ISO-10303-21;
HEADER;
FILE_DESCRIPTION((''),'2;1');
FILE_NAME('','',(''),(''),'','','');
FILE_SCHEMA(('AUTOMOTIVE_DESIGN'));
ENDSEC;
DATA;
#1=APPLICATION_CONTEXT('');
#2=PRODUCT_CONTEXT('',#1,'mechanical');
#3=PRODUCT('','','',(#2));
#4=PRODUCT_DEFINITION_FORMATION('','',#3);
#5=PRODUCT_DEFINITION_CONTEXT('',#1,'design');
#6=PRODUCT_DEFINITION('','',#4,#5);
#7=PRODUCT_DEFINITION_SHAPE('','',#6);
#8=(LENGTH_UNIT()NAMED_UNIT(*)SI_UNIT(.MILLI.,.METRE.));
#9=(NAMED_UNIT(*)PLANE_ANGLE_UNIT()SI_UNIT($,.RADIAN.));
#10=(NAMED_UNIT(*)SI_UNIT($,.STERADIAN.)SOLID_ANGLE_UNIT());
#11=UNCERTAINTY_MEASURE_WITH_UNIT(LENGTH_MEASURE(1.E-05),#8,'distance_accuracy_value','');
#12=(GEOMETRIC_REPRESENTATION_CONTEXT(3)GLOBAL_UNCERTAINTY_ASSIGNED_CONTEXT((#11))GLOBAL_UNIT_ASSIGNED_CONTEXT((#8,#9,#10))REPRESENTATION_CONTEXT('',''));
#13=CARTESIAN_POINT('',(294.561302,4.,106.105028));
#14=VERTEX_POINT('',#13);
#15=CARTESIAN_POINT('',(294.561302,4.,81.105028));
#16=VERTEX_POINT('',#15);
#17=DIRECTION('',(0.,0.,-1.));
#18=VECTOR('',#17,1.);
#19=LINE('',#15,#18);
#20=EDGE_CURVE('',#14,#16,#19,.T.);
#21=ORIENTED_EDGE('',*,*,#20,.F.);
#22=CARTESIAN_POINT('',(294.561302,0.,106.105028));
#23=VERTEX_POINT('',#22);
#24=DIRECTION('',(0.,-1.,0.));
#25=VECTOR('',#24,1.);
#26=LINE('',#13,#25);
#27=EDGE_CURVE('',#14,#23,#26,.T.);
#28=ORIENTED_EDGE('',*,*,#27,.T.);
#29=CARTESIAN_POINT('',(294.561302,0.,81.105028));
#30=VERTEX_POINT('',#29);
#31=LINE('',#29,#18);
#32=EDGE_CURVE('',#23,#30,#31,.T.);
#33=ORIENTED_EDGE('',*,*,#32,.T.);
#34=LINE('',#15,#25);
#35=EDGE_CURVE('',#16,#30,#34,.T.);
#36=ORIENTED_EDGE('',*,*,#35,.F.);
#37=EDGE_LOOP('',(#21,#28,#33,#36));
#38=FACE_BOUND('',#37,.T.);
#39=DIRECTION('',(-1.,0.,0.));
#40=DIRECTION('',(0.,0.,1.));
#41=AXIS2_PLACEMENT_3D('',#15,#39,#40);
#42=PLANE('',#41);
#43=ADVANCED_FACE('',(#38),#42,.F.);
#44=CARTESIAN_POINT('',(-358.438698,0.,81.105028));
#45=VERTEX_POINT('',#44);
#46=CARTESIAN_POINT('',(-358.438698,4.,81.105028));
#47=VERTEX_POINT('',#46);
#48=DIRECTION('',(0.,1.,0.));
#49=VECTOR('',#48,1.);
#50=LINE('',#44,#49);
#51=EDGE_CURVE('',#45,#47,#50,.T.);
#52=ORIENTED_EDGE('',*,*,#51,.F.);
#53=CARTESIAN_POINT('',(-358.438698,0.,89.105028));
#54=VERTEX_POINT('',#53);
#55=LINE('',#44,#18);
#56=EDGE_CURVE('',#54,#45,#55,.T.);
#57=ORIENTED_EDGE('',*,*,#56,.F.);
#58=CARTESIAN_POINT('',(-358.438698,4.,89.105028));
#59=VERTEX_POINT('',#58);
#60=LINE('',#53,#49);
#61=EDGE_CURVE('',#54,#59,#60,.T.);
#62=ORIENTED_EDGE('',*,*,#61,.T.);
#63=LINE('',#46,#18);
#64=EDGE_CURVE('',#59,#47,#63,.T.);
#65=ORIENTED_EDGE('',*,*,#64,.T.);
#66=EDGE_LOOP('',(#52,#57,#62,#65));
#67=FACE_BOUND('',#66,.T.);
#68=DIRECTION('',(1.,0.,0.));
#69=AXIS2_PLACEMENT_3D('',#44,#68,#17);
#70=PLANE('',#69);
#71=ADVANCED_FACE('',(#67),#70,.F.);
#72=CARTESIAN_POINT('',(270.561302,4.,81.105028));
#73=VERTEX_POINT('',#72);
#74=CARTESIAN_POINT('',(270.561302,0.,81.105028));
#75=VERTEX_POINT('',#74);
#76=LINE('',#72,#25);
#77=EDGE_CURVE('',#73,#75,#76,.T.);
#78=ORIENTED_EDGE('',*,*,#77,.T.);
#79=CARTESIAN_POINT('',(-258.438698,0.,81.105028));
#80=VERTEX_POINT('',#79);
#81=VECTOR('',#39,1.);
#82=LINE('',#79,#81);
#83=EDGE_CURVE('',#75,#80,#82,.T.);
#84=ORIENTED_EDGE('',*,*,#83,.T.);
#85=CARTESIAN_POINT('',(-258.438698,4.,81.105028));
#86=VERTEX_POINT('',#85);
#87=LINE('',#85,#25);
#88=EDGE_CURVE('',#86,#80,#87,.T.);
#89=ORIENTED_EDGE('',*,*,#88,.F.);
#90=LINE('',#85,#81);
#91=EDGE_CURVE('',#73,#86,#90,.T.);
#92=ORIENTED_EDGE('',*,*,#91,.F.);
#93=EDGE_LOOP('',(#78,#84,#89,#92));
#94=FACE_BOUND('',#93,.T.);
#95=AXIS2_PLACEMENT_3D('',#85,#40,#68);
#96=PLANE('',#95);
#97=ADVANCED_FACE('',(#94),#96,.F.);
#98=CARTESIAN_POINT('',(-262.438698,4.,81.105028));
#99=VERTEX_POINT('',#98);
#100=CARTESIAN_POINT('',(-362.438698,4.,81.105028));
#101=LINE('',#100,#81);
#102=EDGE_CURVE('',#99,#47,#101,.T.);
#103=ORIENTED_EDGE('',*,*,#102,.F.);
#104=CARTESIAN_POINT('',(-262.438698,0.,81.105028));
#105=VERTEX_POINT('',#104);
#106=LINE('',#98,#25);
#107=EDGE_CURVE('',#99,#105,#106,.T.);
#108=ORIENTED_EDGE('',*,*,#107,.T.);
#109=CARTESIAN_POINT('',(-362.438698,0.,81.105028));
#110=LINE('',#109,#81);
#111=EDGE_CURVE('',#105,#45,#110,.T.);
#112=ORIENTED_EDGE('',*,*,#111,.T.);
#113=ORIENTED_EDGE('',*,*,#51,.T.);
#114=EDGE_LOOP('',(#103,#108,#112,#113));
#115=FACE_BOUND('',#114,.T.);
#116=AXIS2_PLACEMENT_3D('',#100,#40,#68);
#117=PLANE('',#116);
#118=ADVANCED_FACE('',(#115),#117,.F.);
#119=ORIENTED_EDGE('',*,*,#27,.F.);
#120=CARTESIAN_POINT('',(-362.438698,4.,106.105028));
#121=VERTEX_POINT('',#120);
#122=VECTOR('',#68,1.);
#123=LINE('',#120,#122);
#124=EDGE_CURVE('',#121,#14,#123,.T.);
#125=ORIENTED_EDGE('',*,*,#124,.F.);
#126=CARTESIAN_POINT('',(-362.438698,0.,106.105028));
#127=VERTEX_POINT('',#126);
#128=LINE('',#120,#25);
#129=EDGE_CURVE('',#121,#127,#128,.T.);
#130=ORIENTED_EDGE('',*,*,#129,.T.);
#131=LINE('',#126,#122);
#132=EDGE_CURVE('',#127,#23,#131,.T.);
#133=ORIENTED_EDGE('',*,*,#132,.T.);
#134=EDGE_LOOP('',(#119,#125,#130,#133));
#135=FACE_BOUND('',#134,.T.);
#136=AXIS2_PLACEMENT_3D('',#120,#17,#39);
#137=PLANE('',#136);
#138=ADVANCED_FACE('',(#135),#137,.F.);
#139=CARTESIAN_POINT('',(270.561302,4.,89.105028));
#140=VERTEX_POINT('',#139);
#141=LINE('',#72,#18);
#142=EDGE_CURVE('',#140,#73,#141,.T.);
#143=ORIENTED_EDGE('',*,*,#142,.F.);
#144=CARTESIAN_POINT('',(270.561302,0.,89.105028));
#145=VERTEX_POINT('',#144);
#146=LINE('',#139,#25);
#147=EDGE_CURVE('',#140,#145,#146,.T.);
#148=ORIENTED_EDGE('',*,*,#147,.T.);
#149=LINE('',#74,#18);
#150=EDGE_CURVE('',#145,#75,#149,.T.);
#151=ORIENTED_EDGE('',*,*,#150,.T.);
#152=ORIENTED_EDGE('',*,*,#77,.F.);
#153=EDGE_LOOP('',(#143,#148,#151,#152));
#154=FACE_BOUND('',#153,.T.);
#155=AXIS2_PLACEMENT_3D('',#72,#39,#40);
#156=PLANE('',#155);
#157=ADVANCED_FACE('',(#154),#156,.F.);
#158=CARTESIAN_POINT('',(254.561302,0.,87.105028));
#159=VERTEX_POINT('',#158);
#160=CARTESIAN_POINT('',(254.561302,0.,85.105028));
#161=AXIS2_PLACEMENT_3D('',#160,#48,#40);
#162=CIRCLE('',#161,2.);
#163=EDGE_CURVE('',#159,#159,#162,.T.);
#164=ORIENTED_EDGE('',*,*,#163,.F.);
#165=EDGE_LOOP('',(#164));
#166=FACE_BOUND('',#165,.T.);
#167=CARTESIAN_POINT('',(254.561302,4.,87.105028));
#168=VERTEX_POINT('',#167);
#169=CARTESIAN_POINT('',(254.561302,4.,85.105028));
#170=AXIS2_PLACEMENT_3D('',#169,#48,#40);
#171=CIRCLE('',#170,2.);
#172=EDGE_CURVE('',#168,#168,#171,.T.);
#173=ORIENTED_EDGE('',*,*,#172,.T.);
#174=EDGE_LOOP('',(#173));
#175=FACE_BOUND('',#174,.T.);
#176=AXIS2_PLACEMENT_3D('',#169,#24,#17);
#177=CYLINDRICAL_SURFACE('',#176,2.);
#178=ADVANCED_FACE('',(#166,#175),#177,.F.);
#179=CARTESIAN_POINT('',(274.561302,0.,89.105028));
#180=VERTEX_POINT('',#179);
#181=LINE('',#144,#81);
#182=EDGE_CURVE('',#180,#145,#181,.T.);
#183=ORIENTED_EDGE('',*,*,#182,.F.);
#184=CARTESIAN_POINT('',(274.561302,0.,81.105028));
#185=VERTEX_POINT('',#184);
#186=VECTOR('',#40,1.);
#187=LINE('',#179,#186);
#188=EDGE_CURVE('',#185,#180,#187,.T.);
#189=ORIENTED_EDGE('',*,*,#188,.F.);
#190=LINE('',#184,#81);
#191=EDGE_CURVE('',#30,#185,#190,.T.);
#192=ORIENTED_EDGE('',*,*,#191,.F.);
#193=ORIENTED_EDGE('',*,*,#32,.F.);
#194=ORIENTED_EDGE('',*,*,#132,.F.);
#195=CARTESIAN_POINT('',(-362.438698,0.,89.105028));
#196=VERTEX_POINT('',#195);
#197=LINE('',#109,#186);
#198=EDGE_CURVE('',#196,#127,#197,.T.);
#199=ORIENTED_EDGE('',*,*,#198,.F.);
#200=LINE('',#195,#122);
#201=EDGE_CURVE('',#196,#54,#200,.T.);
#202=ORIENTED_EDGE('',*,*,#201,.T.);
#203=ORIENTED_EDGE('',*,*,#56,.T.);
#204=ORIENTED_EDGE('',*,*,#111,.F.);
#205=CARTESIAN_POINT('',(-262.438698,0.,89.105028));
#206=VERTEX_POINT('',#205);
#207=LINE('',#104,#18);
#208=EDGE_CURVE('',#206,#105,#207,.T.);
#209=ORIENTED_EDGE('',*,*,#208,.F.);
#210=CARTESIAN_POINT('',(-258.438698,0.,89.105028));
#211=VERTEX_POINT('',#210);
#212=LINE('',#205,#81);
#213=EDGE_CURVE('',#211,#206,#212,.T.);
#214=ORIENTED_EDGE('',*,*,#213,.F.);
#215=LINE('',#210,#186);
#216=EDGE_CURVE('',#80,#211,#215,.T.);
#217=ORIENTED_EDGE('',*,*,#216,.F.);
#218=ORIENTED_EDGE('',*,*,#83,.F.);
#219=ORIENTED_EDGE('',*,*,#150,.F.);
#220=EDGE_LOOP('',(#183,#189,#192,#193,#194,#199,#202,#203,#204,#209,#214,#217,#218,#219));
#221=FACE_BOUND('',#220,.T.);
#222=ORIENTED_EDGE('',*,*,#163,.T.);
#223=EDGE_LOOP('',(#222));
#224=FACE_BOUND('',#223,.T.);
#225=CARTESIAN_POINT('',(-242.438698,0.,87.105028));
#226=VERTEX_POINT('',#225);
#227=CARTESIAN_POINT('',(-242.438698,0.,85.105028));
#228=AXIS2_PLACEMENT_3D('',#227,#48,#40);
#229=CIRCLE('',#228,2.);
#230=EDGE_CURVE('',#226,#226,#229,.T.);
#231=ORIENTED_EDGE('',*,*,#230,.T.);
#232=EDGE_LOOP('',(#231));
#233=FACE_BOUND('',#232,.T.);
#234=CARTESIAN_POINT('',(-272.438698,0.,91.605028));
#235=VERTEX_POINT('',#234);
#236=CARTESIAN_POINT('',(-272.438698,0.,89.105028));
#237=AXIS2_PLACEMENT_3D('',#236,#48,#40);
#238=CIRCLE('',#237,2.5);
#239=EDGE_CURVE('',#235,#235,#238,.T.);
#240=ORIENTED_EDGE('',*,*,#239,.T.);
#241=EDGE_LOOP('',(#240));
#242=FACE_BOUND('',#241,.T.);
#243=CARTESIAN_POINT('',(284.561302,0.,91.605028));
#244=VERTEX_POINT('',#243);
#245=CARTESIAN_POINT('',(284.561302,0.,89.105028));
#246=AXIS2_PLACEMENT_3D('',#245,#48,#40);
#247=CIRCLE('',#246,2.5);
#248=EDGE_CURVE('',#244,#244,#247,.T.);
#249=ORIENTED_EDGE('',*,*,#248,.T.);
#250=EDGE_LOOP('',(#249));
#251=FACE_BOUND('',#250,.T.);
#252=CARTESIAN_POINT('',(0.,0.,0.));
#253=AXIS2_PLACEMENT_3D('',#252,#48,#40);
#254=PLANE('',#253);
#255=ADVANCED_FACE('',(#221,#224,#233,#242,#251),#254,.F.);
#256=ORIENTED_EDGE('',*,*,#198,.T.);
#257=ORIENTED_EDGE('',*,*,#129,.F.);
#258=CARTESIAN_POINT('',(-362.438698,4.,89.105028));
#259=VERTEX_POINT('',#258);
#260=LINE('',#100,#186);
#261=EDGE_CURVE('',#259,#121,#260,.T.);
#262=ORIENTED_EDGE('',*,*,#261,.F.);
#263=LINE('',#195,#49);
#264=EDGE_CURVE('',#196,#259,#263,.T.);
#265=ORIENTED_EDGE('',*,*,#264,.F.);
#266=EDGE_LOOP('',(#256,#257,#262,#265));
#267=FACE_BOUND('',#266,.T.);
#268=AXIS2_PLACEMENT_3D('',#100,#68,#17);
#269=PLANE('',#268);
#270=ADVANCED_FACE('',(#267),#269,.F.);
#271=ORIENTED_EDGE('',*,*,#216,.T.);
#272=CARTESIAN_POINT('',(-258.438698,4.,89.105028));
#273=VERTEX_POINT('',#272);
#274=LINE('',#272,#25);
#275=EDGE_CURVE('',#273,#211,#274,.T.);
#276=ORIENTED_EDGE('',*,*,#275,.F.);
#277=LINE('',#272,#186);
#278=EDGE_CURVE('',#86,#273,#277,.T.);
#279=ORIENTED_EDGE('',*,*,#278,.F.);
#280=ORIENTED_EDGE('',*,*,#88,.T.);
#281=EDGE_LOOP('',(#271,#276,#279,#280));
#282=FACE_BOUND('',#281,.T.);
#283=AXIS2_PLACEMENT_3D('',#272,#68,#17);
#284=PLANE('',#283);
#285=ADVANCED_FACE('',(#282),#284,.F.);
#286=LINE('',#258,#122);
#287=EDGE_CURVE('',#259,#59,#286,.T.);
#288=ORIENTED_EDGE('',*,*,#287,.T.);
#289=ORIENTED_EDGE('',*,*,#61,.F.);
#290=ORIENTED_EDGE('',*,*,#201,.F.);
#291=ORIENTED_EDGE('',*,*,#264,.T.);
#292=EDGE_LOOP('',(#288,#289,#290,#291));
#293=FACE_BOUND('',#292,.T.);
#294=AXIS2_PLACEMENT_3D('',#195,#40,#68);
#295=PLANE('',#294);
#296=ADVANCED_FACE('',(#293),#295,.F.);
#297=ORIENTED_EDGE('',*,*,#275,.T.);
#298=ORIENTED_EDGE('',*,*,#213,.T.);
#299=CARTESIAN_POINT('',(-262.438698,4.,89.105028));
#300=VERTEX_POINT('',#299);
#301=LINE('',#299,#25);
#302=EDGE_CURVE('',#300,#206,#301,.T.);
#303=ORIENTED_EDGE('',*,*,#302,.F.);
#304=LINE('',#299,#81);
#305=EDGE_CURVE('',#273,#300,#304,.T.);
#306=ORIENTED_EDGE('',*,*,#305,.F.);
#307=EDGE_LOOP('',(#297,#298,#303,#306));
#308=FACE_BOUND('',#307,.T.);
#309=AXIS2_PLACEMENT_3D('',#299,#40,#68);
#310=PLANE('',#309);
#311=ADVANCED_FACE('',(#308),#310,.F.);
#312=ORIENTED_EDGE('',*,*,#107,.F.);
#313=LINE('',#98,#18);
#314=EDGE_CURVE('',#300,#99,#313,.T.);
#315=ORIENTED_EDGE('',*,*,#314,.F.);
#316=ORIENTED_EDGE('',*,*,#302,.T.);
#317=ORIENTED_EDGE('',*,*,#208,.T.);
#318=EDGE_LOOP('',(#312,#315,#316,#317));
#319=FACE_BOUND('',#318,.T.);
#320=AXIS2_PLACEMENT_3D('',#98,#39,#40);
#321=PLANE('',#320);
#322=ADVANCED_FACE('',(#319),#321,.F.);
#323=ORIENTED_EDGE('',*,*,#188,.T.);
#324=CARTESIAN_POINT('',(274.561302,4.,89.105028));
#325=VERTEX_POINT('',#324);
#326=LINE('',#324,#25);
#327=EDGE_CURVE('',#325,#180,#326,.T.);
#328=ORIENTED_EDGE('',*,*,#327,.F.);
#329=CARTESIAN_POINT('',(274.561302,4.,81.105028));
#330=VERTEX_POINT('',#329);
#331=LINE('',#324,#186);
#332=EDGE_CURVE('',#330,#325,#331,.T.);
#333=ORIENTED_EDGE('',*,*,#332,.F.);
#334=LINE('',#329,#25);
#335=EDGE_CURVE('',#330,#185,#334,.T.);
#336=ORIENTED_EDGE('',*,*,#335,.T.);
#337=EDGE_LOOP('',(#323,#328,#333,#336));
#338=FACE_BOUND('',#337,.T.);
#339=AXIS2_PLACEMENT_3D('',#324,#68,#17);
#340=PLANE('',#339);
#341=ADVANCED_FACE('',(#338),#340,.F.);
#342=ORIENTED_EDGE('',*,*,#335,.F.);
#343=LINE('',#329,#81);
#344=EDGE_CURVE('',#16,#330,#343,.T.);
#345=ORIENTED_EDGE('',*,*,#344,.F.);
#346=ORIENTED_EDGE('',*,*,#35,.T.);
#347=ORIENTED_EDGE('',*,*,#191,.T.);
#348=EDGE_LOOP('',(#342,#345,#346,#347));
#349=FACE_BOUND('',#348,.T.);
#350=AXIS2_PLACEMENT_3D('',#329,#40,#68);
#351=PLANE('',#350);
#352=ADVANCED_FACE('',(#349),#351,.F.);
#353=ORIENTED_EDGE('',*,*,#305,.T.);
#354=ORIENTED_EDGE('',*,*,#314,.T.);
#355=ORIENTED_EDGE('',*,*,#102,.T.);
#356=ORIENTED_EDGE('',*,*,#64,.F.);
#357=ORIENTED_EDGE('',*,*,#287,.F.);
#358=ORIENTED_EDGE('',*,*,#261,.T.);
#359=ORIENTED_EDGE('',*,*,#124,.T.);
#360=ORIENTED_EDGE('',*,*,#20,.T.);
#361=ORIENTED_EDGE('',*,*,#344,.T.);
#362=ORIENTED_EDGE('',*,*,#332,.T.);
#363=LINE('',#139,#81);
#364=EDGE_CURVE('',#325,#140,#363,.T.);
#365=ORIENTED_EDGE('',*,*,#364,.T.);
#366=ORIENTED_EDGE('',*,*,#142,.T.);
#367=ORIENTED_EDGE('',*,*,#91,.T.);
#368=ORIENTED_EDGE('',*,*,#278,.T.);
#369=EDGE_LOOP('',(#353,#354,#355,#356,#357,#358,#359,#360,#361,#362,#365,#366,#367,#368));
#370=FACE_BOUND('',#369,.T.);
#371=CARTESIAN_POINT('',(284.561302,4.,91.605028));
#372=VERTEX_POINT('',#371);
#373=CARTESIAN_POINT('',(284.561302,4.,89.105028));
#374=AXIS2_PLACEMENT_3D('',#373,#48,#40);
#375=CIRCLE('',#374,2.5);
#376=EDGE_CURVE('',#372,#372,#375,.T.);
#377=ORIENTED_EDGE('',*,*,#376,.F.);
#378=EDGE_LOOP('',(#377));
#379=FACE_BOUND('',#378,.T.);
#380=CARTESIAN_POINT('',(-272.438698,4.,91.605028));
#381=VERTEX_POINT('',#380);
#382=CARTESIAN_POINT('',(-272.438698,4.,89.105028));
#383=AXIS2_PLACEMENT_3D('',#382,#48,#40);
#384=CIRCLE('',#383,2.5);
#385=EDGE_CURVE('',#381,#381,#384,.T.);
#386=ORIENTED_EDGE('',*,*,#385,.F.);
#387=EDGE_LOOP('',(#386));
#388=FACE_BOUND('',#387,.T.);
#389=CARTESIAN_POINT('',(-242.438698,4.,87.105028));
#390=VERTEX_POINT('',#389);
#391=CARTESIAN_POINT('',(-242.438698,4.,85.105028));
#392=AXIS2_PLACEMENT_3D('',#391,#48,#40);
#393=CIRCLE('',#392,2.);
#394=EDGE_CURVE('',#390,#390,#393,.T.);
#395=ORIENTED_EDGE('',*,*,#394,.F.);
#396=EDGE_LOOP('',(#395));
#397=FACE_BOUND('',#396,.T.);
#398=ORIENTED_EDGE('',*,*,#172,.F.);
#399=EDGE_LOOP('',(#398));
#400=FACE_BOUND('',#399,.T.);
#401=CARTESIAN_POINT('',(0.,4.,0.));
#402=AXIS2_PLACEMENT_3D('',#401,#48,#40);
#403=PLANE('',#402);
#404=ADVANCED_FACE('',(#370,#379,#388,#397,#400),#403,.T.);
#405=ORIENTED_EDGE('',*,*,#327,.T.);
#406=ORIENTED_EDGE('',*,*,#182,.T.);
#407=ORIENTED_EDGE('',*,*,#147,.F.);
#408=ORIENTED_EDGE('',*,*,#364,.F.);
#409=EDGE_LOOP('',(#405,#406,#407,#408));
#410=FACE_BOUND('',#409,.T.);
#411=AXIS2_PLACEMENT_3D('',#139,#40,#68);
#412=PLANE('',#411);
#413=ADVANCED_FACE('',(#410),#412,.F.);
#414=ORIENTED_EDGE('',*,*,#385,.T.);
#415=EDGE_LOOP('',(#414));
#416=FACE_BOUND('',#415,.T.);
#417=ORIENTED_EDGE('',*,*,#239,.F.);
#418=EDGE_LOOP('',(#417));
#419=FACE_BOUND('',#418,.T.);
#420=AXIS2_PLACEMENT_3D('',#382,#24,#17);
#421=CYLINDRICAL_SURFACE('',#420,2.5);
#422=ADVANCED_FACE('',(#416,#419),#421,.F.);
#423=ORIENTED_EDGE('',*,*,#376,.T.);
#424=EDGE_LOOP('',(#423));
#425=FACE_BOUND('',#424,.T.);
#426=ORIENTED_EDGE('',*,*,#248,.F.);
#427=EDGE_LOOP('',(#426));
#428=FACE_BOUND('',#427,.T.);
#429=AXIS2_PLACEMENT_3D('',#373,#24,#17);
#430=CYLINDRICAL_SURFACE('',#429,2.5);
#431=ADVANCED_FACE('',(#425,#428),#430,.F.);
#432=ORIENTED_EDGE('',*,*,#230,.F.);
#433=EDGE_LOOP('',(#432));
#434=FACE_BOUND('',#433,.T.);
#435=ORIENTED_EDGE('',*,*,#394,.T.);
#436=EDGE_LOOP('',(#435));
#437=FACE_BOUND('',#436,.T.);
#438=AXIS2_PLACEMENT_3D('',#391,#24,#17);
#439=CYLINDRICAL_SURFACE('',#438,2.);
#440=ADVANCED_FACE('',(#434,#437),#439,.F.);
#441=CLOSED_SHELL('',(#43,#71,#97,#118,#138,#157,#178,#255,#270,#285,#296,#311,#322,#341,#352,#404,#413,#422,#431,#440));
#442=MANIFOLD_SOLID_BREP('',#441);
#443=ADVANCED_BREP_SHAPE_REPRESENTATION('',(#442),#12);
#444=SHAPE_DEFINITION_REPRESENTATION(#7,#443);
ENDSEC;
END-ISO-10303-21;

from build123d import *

# Parameters (mm, degrees)
SKETCH2_R           = 2.5
SKETCH2_R_2         = 2
BOSS_EXTRUDE2_DEPTH = 4
SKETCH3_W           = 4
SKETCH3_H           = 8
CUT_EXTRUDE1_DEPTH  = 4


with BuildPart() as part:
    # Sketch2 → Boss-Extrude2 (new body)
    with BuildSketch(Plane(origin=(0, 0, 0), x_dir=(1, 0, 0), z_dir=(0, 1, 0))):
        Polygon((-362.438698088, -81.105028172), (-262.438698088, -81.105028172), (-262.438698088, -89.105028172), (-258.438698088, -89.105028172), (-258.438698088, -81.105028172), (270.561301912, -81.105028172), (270.561301912, -89.105028172), (274.561301912, -89.105028172), (274.561301912, -81.105028172), (294.561301912, -81.105028172), (294.561301912, -106.105028172), (-362.438698088, -106.105028172), align=None)
        with Locations(Location((284.561301912, -89.105028172, 0), (0, 0, 270))):
            Circle(SKETCH2_R, mode=Mode.SUBTRACT)
        with Locations(Location((-272.438698088, -89.105028172, 0), (0, 0, 270))):
            Circle(SKETCH2_R, mode=Mode.SUBTRACT)
        with Locations(Location((254.561301912, -85.105028172, 0), (0, 0, 270))):
            Circle(SKETCH2_R_2, mode=Mode.SUBTRACT)
        with Locations(Location((-242.438698088, -85.105028172, 0), (0, 0, 270))):
            Circle(SKETCH2_R_2, mode=Mode.SUBTRACT)
    extrude(amount=BOSS_EXTRUDE2_DEPTH)

    # Sketch3 → Cut-Extrude1 (cut)
    with BuildSketch(Plane(origin=(0, 4, 0), x_dir=(1, 0, 0), z_dir=(0, 1, 0))):
        with Locations((-360.438698088, -85.105028172)):
            Rectangle(SKETCH3_W, SKETCH3_H)
    extrude(amount=-CUT_EXTRUDE1_DEPTH, mode=Mode.SUBTRACT)


solid = part.part
